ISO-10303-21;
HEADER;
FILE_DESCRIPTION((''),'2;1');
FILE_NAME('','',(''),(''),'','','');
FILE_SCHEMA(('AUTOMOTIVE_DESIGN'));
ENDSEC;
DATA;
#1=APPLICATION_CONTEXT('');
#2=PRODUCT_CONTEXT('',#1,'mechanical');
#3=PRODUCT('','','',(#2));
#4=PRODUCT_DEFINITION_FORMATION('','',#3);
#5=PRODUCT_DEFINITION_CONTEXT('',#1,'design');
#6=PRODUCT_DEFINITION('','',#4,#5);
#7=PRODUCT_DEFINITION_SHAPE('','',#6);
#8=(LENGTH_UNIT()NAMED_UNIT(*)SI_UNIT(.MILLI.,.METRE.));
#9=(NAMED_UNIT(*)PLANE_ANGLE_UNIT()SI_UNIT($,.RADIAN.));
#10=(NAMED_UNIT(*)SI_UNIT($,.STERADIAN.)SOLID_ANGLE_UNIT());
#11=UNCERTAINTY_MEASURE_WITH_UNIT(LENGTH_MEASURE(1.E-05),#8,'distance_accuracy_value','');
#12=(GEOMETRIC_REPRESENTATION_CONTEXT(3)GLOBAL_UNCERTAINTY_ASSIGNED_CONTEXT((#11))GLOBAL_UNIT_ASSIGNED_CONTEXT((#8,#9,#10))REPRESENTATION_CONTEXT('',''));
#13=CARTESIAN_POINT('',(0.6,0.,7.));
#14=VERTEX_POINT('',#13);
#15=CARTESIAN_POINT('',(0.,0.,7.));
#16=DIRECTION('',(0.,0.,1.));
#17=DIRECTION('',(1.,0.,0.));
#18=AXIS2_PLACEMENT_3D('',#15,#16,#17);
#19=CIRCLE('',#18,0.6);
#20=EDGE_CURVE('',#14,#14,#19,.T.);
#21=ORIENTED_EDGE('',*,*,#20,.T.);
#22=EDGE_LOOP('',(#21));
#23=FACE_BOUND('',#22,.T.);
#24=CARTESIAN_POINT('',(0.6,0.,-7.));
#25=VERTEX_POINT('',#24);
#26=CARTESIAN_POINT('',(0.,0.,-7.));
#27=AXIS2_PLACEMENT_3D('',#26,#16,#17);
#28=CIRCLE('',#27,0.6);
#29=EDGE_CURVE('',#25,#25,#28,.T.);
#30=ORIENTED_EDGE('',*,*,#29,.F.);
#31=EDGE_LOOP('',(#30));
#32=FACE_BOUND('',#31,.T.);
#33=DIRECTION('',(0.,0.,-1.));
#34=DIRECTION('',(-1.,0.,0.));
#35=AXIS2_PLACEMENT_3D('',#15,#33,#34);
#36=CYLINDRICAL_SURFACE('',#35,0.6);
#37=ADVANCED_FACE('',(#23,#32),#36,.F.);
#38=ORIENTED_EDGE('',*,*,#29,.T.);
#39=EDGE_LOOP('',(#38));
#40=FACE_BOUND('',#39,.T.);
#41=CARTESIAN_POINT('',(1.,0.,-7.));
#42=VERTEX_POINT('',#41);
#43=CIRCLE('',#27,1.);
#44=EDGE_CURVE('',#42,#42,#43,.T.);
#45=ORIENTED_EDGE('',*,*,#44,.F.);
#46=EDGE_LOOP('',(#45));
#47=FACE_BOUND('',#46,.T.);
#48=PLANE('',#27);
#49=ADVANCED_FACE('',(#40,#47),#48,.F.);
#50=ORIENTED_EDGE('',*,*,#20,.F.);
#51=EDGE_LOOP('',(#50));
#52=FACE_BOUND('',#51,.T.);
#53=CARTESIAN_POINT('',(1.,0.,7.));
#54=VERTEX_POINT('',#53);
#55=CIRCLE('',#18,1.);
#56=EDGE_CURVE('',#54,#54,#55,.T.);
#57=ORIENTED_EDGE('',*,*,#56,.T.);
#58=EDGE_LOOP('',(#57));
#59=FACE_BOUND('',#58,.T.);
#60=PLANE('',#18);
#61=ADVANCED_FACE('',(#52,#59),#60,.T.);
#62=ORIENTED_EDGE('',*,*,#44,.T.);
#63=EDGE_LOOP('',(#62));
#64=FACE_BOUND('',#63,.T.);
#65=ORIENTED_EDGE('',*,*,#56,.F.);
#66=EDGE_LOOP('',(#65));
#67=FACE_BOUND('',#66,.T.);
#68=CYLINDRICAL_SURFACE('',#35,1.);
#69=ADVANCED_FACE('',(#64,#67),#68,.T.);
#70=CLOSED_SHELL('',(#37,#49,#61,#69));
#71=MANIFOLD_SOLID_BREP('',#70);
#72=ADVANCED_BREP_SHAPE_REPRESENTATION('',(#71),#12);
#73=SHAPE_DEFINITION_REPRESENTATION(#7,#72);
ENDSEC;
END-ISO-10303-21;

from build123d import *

# Parameters (mm, degrees)
INSTALLED_SPRING_PIN_START = -7
SKETCH1_R                  = 1
SKETCH1_R_2                = 0.6
INSTALLED_SPRING_PIN_DEPTH = 14


with BuildPart() as part:
    # Sketch1 → Installed_Spring_Pin (new body)
    with BuildSketch(Plane.XY.offset(INSTALLED_SPRING_PIN_START)):
        Circle(SKETCH1_R)
        Circle(SKETCH1_R_2, mode=Mode.SUBTRACT)
    extrude(amount=INSTALLED_SPRING_PIN_DEPTH)


solid = part.part
